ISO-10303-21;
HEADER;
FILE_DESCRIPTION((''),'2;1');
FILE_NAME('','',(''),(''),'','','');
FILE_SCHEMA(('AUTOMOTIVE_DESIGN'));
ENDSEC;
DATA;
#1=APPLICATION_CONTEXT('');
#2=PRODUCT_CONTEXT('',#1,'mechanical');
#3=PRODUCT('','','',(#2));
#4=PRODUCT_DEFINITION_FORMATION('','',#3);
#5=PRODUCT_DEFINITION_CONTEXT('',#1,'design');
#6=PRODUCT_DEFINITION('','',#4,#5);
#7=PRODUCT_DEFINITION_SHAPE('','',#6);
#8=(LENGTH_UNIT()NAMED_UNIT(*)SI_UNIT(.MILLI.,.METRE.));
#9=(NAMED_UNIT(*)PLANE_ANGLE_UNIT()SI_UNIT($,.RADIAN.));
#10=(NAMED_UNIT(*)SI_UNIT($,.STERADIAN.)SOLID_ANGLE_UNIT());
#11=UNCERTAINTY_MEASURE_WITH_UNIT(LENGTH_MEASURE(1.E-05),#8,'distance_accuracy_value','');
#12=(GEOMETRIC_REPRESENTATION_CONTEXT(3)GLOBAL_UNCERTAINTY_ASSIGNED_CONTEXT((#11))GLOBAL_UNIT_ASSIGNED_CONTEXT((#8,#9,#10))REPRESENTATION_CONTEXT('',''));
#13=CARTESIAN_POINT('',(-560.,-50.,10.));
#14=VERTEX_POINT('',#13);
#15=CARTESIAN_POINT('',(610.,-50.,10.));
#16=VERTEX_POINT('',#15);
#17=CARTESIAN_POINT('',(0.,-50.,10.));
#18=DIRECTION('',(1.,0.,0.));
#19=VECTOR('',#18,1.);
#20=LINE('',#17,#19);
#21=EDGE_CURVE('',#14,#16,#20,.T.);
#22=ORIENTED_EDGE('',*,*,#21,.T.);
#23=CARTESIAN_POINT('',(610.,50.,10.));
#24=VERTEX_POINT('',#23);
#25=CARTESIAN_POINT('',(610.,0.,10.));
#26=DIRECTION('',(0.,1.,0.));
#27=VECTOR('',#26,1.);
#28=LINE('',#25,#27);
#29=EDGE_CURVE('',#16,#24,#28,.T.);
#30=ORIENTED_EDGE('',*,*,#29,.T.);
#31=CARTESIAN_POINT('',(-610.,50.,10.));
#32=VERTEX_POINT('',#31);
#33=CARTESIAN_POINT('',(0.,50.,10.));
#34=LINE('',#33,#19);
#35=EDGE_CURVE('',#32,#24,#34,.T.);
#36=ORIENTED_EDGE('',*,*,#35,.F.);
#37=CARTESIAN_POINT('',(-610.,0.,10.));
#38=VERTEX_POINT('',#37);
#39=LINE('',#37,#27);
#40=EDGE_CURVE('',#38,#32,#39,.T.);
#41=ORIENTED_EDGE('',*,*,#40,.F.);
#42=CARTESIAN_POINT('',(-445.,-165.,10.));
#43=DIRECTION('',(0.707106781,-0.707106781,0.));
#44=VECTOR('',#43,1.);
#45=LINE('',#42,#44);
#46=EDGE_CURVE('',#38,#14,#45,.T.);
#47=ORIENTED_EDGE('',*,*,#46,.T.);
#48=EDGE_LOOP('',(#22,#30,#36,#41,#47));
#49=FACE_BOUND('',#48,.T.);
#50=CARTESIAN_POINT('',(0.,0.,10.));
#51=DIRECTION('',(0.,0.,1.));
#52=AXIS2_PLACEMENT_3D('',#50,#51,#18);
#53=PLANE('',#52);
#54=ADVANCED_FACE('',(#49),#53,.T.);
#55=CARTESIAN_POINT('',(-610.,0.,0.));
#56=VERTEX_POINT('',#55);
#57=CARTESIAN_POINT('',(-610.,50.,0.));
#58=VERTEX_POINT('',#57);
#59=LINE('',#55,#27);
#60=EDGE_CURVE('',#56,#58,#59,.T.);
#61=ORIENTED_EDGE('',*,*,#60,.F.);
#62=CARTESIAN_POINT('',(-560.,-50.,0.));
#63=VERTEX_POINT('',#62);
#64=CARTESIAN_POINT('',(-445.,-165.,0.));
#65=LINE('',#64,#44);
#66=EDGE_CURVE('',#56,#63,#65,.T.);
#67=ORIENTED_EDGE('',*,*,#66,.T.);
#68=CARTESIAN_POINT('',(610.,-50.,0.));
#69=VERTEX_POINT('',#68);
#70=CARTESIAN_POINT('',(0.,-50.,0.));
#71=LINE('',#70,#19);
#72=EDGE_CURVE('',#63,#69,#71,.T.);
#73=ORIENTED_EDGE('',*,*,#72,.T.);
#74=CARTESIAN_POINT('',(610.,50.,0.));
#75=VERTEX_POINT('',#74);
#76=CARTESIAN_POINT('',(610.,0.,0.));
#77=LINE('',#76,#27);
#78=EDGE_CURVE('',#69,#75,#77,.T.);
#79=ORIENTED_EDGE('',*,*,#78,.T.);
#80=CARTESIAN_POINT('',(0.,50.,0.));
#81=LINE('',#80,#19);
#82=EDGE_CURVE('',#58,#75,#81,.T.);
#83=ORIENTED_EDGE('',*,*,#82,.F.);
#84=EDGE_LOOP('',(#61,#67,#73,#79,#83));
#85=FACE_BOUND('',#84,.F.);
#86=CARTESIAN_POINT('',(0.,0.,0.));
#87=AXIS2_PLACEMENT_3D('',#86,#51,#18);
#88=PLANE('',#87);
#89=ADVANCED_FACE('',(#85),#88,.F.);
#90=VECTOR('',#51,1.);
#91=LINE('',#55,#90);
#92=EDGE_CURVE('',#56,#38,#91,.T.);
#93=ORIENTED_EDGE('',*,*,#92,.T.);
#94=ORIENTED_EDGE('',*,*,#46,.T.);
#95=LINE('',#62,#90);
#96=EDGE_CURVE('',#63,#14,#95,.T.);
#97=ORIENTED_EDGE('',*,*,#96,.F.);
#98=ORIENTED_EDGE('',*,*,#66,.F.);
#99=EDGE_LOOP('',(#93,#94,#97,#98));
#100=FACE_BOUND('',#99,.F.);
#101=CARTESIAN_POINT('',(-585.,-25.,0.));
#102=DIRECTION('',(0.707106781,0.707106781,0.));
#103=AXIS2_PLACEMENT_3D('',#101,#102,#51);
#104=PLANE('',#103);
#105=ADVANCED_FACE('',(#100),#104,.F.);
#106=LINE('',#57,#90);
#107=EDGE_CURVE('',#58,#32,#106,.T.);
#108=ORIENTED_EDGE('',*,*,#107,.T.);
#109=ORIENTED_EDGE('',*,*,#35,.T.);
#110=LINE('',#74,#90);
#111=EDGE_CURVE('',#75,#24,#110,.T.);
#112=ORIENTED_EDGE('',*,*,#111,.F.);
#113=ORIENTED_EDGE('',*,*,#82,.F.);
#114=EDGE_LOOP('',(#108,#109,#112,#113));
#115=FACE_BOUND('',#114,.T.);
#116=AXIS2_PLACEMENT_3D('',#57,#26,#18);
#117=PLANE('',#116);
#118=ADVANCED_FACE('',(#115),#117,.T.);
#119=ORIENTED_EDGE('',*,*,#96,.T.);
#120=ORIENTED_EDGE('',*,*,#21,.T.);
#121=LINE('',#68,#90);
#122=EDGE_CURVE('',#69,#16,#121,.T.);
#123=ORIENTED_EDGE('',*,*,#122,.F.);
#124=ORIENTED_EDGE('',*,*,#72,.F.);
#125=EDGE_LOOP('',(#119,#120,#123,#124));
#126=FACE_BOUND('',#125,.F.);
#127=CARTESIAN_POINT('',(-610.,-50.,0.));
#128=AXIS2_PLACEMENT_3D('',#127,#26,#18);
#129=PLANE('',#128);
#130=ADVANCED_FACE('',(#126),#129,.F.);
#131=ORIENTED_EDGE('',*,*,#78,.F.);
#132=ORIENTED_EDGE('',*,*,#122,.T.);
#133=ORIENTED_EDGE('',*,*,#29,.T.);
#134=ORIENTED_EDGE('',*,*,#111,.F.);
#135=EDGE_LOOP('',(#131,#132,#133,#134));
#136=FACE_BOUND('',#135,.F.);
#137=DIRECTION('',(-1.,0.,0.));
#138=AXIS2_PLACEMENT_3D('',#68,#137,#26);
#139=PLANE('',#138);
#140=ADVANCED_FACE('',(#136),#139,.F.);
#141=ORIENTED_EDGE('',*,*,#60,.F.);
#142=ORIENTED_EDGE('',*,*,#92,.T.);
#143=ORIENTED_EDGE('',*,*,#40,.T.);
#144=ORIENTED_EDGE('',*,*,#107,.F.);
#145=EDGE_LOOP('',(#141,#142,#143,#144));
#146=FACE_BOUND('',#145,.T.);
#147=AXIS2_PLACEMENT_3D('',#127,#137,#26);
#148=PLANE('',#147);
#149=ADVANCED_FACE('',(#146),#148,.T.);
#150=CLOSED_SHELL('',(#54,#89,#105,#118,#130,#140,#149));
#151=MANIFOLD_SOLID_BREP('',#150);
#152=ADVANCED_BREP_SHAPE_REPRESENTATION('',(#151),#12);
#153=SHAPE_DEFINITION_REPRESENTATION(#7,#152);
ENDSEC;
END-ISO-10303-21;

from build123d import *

# Parameters (mm, degrees)
SKETCH_1_W      = 1220
SKETCH_1_H      = 100
EXTRUDE_1_DEPTH = 10
CHAMFER_1_SIZE  = 50


with BuildPart() as part:
    # 草图1 → 凸台-拉伸1 (new body)
    with BuildSketch(Plane.XY):
        Rectangle(SKETCH_1_W, SKETCH_1_H)
    extrude(amount=EXTRUDE_1_DEPTH)

    # 倒角1
    chamfer_1_edges = [part.edges().sort_by_distance(p)[0] for p in [
        (-610, -50, 5),
    ]]
    chamfer(chamfer_1_edges, length=CHAMFER_1_SIZE)


solid = part.part
